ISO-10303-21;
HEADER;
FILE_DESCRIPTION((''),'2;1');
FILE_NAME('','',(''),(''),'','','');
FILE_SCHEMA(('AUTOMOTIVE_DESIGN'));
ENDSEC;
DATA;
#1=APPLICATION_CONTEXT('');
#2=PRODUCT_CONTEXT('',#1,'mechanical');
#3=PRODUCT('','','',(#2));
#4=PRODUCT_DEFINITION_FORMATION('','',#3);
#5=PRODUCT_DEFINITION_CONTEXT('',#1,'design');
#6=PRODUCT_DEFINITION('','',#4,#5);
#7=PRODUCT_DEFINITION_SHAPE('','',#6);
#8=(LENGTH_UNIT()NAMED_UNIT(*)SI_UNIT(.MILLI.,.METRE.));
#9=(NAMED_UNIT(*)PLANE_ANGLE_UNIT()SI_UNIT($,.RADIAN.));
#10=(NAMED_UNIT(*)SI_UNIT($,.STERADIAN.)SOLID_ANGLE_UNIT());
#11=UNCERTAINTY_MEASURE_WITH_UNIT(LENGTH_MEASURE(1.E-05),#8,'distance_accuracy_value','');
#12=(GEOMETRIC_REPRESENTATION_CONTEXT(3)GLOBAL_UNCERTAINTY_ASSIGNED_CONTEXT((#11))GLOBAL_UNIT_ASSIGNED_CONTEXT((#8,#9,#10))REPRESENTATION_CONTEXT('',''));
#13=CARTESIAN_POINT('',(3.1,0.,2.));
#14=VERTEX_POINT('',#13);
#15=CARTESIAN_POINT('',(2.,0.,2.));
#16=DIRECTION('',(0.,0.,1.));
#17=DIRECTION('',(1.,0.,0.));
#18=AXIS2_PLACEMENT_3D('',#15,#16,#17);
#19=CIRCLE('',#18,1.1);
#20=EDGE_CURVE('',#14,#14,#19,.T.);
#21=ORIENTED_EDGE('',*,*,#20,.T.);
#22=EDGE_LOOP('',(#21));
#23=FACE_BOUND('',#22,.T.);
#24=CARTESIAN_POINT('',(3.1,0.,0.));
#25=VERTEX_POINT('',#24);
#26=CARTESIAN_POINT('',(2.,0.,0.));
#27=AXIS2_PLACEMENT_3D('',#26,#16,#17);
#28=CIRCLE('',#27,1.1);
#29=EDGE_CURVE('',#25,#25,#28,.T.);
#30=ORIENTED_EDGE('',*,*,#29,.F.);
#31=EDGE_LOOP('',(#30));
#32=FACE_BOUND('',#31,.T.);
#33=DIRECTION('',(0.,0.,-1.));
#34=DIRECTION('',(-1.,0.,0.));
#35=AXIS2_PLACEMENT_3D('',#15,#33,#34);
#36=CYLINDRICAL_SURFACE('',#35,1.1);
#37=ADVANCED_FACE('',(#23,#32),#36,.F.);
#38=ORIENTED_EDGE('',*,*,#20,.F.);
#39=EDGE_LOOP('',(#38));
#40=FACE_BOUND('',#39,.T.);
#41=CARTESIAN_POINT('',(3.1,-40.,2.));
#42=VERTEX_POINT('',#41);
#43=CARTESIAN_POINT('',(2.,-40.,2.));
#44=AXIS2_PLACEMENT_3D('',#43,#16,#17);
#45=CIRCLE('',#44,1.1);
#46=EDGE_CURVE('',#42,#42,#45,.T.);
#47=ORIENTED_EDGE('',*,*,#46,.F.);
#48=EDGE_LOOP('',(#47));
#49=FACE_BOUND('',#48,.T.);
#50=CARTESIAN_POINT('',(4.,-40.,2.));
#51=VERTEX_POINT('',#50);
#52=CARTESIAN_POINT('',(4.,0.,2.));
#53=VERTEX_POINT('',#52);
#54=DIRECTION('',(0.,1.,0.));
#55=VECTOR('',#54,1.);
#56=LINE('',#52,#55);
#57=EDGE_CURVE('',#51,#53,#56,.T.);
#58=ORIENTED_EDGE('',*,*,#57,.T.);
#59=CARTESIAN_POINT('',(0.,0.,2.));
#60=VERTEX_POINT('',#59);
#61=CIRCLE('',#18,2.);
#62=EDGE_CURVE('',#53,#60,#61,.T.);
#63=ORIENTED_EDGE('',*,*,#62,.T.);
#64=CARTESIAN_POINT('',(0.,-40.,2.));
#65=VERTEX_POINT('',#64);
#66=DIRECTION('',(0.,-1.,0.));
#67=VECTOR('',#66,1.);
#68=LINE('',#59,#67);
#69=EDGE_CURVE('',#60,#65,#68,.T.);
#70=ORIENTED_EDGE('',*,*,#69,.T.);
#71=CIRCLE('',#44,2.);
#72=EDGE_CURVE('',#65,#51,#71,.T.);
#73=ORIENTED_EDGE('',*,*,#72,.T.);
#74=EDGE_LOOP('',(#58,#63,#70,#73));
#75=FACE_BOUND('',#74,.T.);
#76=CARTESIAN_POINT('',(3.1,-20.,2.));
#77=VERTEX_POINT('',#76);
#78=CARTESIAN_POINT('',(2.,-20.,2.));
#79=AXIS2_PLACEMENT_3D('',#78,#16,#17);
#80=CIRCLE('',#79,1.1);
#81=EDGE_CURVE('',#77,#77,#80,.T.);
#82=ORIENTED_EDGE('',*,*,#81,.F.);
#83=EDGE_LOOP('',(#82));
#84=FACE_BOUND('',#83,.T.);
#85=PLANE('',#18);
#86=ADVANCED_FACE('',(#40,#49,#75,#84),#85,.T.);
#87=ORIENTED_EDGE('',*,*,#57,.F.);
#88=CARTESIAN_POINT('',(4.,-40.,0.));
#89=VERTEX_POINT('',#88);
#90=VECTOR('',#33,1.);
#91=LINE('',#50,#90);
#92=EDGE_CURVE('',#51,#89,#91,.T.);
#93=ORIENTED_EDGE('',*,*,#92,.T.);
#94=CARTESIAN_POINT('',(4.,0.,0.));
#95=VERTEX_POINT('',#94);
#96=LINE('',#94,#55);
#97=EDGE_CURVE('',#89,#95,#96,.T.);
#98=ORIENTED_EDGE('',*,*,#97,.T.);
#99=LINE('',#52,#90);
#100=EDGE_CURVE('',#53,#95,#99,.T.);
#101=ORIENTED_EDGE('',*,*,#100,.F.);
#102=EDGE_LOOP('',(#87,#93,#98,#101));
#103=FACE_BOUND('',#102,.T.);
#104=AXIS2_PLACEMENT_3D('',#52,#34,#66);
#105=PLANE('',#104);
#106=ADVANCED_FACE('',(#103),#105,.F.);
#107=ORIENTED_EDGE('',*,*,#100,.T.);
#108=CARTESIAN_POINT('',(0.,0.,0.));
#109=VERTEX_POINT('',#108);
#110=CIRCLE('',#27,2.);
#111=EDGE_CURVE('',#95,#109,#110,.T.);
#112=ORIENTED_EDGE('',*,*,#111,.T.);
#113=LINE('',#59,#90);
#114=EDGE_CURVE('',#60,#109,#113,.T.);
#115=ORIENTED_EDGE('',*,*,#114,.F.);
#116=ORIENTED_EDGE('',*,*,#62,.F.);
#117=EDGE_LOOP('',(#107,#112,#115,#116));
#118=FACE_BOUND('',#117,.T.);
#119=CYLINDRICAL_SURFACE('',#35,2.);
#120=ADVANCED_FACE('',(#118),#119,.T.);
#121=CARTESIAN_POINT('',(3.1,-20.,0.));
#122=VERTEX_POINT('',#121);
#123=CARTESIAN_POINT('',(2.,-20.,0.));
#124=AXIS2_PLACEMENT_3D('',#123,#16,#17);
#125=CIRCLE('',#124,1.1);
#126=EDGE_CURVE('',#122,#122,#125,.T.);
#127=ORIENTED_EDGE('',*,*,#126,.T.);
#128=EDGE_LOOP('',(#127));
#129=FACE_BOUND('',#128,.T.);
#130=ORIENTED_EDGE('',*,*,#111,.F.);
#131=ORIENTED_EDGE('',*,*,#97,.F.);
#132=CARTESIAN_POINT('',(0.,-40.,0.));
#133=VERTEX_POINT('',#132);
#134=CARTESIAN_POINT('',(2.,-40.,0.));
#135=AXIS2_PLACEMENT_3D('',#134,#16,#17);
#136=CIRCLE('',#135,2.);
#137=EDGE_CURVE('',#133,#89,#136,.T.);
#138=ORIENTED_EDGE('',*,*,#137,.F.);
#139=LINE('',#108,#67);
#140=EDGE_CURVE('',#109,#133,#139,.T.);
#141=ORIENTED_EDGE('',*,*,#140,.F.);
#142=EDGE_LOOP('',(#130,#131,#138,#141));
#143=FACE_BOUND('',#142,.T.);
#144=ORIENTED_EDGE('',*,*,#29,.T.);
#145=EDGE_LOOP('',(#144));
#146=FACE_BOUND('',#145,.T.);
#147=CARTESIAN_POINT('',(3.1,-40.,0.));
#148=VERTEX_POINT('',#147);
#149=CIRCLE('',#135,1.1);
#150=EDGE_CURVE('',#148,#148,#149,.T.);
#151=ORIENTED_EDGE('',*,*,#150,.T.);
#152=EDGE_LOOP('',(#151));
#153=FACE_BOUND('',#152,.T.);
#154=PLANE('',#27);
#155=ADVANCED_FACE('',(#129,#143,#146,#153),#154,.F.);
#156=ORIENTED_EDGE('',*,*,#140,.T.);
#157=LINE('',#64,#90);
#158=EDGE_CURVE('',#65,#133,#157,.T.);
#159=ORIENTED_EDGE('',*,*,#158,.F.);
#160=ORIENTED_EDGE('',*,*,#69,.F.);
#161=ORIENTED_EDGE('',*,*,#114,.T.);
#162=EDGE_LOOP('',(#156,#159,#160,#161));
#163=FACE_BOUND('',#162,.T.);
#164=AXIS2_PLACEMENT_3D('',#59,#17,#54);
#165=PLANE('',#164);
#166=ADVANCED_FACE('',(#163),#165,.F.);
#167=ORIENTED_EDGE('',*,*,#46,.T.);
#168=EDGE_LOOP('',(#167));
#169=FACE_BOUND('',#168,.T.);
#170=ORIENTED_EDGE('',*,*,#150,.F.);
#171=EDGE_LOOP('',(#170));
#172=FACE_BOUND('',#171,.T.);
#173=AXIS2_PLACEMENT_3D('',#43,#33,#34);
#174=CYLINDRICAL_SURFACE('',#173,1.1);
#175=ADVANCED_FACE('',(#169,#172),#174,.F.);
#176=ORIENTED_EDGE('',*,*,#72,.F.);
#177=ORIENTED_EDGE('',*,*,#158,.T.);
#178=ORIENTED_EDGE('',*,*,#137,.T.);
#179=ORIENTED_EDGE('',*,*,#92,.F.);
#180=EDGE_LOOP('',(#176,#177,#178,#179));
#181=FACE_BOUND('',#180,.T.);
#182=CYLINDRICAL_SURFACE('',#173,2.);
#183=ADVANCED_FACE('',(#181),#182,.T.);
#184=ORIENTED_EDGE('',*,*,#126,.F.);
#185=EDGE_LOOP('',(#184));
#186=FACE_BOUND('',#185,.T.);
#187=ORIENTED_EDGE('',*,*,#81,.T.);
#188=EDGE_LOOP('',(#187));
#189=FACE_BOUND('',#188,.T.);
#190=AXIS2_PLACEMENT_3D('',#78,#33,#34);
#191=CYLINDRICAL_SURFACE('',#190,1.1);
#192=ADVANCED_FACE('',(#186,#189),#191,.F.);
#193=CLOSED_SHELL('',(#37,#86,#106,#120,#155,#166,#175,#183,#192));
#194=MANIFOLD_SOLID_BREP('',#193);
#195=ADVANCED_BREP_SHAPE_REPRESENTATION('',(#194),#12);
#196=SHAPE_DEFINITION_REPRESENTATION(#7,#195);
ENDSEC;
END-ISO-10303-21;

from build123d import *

# Parameters (mm, degrees)
CROQUIS1_R              = 1.1
SALIENTE_EXTRUIR1_DEPTH = 2


with BuildPart() as part:
    # Croquis1 → Saliente-Extruir1 (new body)
    with BuildSketch(Plane.XY):
        with BuildLine():
            Line((0, 0), (0, -40))
            ThreePointArc((0, -40), (2, -42), (4, -40))
            Line((4, -40), (4, 0))
            ThreePointArc((4, 0), (2, 2), (0, 0))
        make_face()
        with Locations((2, 0)):
            Circle(CROQUIS1_R, mode=Mode.SUBTRACT)
        with Locations((2, -40)):
            Circle(CROQUIS1_R, mode=Mode.SUBTRACT)
        with Locations((2, -20)):
            Circle(CROQUIS1_R, mode=Mode.SUBTRACT)
    extrude(amount=SALIENTE_EXTRUIR1_DEPTH)


solid = part.part
